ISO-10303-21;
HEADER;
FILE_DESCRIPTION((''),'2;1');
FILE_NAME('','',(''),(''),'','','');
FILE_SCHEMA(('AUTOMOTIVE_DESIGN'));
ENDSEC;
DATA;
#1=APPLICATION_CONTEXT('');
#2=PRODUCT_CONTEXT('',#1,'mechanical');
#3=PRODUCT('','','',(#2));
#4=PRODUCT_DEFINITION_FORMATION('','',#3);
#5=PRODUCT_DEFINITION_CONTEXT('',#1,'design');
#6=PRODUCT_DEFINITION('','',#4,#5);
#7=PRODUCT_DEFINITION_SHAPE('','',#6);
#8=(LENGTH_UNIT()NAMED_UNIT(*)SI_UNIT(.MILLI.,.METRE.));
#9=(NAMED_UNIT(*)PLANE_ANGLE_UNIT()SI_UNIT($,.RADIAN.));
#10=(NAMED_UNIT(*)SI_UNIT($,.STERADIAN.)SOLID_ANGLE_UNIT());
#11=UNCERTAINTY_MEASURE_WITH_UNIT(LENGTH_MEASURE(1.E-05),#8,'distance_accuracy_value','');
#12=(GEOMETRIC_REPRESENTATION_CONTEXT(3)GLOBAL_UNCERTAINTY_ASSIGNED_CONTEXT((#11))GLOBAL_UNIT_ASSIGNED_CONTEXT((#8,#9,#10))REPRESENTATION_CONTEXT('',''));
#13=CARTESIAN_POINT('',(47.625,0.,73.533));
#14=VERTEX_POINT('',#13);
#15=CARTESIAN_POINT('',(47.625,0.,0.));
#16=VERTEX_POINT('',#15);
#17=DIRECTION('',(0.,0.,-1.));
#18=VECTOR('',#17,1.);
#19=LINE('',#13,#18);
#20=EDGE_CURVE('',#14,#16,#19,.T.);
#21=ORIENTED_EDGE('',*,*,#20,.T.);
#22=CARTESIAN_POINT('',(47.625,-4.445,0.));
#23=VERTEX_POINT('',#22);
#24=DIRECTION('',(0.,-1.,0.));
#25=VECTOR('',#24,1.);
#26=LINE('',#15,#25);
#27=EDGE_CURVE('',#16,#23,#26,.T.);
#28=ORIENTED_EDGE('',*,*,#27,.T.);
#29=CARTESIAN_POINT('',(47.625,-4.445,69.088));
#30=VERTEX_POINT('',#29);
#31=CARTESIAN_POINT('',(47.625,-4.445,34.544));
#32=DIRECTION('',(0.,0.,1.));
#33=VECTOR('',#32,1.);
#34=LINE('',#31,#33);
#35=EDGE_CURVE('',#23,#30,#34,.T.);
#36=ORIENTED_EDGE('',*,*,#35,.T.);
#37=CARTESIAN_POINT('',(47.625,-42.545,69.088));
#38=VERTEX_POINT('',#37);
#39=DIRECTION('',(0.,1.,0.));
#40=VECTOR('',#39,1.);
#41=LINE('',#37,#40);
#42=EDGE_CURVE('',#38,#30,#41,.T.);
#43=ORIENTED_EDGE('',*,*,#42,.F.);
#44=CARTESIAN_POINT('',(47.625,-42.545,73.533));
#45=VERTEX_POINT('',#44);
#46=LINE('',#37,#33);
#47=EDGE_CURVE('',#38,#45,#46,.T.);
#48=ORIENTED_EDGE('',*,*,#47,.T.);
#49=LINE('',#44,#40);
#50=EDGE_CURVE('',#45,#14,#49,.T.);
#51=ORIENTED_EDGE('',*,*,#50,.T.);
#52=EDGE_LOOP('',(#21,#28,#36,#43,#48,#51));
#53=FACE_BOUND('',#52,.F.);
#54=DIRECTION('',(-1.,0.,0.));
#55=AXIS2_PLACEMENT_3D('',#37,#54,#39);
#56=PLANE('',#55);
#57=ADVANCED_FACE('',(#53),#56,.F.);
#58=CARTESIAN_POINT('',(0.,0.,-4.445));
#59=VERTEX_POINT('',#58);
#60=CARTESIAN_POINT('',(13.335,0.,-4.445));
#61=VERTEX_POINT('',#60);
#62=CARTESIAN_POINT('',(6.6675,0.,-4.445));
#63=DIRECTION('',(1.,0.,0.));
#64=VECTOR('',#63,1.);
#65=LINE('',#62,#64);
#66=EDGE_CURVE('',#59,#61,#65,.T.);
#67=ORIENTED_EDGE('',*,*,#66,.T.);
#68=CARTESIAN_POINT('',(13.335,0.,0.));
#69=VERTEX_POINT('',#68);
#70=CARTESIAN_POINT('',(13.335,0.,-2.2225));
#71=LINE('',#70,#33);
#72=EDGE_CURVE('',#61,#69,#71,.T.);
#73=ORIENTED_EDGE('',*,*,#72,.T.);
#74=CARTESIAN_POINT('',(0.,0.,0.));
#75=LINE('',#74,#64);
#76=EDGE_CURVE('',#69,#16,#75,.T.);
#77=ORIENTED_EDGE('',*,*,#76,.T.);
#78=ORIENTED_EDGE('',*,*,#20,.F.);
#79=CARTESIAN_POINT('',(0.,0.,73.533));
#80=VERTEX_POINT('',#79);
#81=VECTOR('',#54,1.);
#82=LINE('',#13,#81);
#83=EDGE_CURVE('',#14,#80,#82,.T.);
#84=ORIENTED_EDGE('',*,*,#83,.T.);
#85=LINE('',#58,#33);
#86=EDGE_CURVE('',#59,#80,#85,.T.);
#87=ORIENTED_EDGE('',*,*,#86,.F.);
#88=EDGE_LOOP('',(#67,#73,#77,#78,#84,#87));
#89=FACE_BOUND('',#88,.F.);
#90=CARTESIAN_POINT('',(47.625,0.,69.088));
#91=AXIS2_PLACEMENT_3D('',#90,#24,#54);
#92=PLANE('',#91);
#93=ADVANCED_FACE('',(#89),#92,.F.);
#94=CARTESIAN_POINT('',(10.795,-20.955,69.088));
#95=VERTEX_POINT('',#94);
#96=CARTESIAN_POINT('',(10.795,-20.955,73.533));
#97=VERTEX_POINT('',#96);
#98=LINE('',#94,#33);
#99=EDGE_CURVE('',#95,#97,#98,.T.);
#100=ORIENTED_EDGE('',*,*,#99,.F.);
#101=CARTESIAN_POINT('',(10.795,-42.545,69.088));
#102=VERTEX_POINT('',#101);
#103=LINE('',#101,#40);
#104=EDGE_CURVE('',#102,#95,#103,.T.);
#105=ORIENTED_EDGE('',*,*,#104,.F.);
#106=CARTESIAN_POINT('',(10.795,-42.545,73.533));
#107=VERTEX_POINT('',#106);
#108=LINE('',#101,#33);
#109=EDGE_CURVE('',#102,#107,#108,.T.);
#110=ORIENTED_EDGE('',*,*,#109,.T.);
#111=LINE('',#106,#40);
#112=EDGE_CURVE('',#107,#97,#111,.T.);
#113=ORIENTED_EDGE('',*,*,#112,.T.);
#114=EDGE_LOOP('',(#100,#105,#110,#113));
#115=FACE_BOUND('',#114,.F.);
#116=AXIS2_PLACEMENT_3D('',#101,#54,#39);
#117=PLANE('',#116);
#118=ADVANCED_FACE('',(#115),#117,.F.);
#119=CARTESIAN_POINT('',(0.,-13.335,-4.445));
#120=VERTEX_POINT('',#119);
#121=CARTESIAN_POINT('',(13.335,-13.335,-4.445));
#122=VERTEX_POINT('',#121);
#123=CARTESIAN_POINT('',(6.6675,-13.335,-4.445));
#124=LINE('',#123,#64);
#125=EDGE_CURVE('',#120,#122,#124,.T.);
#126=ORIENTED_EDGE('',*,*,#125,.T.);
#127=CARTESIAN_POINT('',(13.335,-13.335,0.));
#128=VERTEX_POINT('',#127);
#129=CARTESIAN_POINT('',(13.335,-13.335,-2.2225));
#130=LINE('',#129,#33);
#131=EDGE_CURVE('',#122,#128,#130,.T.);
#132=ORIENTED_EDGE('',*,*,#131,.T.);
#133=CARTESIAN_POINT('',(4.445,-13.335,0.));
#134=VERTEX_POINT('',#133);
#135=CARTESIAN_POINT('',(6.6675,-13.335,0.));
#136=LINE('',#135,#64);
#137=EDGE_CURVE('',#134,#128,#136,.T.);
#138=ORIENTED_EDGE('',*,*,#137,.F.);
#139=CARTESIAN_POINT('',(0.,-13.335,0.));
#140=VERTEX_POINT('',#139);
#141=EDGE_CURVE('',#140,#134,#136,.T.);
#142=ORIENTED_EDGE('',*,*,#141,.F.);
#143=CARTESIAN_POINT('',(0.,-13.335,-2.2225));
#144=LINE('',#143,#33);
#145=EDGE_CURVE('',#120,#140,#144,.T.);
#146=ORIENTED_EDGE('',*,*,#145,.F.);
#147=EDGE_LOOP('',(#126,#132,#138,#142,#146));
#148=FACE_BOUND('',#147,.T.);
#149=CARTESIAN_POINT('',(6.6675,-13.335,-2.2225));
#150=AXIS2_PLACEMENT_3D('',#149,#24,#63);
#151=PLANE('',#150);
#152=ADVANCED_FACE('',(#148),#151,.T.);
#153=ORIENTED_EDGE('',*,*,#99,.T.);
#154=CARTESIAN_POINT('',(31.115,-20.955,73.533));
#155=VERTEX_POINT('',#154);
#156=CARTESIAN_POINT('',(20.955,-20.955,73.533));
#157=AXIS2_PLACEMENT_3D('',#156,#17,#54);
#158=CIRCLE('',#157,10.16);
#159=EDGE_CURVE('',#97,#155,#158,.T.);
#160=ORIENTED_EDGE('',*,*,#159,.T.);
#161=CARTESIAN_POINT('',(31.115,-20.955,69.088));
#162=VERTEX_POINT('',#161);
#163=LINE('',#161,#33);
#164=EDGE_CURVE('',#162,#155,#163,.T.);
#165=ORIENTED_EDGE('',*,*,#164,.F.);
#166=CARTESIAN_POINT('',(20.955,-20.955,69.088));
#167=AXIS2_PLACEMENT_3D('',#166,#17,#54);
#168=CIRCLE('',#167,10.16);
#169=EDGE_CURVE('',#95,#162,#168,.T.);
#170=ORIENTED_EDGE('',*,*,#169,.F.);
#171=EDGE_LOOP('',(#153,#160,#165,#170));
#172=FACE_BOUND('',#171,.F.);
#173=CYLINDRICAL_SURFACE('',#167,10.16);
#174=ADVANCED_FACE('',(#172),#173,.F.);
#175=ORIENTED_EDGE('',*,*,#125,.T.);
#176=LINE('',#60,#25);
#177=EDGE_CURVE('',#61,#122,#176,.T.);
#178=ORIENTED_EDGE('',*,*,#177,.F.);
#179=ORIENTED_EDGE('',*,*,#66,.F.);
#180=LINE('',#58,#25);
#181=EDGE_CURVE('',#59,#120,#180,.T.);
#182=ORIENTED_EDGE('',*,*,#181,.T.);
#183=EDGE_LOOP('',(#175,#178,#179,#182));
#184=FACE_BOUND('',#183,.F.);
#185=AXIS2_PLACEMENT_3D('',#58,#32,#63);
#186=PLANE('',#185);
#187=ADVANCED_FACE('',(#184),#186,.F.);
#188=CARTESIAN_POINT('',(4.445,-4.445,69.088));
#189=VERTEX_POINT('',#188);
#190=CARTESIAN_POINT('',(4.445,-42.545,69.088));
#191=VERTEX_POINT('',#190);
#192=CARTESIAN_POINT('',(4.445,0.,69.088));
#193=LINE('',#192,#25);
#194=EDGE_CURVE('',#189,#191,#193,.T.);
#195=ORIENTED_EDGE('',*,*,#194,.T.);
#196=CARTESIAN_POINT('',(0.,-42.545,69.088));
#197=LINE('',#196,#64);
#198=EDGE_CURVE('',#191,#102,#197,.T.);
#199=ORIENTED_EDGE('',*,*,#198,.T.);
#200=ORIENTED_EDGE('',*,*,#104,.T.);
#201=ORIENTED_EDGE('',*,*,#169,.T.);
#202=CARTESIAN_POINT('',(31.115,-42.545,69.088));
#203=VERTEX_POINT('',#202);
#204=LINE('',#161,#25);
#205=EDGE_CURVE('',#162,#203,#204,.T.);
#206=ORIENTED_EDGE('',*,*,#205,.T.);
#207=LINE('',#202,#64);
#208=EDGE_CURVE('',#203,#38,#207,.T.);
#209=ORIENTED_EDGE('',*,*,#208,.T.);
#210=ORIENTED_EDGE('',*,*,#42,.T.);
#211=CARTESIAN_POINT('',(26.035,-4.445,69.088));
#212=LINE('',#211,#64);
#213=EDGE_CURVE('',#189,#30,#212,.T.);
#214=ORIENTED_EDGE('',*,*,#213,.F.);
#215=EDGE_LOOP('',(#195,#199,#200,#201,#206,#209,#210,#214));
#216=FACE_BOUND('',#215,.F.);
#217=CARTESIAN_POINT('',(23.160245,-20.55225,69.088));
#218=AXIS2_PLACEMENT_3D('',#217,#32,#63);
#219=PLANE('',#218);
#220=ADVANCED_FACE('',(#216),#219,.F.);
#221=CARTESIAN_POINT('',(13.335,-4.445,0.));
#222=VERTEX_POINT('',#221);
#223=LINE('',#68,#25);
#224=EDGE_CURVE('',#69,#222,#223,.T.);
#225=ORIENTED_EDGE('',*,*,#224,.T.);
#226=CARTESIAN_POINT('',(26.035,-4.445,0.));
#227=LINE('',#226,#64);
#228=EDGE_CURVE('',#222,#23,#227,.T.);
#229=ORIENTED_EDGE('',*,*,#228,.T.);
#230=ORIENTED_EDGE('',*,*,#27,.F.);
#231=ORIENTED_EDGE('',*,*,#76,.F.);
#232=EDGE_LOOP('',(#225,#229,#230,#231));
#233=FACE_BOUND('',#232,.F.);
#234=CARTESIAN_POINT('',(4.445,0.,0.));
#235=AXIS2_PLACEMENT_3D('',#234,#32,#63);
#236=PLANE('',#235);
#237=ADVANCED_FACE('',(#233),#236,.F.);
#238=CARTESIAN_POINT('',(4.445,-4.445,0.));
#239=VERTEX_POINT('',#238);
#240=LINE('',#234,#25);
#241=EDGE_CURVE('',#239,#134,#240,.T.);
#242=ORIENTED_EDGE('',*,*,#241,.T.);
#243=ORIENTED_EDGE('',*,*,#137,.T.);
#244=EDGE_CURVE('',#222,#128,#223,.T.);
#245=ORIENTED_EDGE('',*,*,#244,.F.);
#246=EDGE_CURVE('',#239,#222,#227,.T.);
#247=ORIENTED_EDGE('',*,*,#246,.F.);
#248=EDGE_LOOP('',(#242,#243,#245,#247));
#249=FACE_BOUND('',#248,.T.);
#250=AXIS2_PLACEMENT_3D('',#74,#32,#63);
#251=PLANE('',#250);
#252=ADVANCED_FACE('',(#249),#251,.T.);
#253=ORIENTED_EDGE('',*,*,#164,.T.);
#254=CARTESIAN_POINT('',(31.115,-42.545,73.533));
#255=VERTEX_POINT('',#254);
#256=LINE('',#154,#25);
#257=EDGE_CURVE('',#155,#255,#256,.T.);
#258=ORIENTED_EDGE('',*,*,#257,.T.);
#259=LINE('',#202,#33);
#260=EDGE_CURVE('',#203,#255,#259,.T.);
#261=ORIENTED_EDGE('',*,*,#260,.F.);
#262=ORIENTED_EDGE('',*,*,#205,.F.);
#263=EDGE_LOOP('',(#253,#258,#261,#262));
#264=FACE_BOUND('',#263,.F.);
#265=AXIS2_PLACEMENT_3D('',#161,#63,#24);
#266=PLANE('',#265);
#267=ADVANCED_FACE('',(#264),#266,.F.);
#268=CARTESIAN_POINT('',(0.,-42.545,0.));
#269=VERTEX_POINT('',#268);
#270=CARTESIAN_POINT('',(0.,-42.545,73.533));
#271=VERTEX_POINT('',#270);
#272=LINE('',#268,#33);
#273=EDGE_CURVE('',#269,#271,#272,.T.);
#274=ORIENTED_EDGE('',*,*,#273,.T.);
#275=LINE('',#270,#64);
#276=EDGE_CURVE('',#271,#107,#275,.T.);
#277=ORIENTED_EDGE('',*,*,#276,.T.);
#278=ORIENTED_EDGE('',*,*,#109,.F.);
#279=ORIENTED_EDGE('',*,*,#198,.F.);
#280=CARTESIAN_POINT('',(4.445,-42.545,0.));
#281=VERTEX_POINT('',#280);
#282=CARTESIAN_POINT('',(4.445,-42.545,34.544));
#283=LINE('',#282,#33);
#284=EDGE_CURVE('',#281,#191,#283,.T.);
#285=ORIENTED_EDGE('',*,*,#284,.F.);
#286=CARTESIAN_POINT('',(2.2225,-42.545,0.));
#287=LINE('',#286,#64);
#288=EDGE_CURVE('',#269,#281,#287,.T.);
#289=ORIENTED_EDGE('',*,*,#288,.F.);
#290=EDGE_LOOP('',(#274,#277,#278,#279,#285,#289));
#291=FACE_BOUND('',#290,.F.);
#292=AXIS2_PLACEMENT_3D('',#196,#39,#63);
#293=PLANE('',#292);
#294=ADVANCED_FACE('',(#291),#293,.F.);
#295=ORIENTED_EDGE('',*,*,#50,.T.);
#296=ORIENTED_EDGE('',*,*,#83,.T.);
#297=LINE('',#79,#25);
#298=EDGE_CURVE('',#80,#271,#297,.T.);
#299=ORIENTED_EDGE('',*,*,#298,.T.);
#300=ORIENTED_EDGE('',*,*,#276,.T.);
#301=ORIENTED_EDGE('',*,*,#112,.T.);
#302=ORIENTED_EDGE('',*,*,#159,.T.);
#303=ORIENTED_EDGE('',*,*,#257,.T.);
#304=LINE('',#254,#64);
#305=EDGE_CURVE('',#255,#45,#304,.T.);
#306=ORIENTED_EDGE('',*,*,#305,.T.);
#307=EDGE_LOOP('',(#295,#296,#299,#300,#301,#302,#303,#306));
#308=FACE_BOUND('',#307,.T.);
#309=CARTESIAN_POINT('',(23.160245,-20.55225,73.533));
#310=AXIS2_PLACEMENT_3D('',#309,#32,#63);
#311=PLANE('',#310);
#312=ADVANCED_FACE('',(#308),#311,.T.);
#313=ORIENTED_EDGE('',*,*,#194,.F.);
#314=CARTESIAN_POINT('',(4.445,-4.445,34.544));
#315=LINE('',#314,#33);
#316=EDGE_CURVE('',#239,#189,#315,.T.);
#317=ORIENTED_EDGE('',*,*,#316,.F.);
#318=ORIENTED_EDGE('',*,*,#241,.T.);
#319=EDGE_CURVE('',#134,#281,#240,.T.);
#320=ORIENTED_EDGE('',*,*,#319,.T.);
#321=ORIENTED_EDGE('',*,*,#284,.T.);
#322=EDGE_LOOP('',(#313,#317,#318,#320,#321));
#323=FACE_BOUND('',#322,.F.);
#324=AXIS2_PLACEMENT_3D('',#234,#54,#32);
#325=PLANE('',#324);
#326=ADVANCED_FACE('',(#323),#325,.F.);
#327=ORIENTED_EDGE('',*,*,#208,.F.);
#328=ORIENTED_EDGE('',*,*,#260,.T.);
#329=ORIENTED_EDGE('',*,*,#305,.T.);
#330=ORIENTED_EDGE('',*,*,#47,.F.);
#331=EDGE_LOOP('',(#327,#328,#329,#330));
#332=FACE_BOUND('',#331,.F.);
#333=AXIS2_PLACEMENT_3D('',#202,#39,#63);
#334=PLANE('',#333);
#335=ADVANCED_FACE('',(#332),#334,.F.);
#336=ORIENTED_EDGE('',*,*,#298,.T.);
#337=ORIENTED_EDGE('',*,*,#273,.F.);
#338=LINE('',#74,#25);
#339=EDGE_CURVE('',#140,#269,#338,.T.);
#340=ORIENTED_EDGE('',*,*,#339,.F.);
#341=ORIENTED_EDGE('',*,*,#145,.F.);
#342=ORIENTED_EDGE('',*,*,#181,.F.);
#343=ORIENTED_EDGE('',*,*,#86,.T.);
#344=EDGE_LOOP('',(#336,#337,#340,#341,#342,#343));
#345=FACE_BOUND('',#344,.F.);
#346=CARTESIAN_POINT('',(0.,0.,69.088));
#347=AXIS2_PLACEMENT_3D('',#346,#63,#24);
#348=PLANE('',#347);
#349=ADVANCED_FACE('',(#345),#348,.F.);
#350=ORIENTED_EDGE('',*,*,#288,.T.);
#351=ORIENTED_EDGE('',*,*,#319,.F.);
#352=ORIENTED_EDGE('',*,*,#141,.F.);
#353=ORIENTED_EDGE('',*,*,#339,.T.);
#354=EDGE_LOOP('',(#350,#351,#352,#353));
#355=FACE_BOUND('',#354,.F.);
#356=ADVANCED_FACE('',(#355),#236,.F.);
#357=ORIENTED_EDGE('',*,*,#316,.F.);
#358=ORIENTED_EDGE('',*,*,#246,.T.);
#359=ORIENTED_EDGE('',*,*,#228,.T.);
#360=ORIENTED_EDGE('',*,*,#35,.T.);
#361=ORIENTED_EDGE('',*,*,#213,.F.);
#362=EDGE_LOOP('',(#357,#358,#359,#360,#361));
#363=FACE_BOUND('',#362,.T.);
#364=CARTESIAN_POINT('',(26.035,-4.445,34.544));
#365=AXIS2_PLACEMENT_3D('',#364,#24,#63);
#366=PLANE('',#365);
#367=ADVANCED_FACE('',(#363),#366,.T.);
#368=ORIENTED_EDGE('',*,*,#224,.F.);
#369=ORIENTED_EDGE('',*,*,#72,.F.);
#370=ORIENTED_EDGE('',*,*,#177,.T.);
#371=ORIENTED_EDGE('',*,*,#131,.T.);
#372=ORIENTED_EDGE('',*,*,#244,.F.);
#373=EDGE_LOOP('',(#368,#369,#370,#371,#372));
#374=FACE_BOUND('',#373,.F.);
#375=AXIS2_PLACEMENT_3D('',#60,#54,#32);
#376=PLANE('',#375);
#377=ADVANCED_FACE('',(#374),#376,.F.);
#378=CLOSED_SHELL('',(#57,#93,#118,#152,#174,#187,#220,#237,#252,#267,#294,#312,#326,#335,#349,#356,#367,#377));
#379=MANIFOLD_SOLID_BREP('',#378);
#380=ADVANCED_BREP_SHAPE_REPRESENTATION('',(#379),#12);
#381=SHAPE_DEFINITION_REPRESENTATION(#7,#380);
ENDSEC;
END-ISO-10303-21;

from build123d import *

# Parameters (mm, degrees)
F0_W     = 4.445
F0_H     = 69.088
F1_DEPTH = 42.545
F2_W     = 43.18
F2_H     = 69.088
F3_DEPTH = 4.445
F4_W     = 13.335
F4_H     = 4.445
F5_DEPTH = 13.335
F7_DEPTH = 4.445


with BuildPart() as f1:
    # F0 (on Front) → F1 (new body)
    with BuildSketch(Plane.XZ):
        with Locations((2.2225, 34.544)):
            Rectangle(F0_W, F0_H)
    extrude(amount=F1_DEPTH)

    # F2 (on Front) → F3 (join)
    with BuildSketch(Plane.XZ):
        with Locations((26.035, 34.544)):
            Rectangle(F2_W, F2_H)
    extrude(amount=F3_DEPTH)

    # F4 (on Front) → F5 (join)
    with BuildSketch(Plane.XZ):
        with Locations((6.6675, -2.2225)):
            Rectangle(F4_W, F4_H)
    extrude(amount=F5_DEPTH)

    # F6 (on face) → F7 (join)
    with BuildSketch(Plane.XY.offset(69.088)):
        with BuildLine():
            Line((47.625, 0), (0, 0))
            Line((0, 0), (0, -42.545))
            Line((0, -42.545), (10.795, -42.545))
            Line((10.795, -42.545), (10.795, -20.955))
            ThreePointArc((10.795, -20.955), (20.955, -10.795), (31.115, -20.955))
            Line((31.115, -20.955), (31.115, -42.545))
            Line((31.115, -42.545), (47.625, -42.545))
            Line((47.625, -42.545), (47.625, 0))
        make_face()
    extrude(amount=F7_DEPTH)


solid = f1.part
